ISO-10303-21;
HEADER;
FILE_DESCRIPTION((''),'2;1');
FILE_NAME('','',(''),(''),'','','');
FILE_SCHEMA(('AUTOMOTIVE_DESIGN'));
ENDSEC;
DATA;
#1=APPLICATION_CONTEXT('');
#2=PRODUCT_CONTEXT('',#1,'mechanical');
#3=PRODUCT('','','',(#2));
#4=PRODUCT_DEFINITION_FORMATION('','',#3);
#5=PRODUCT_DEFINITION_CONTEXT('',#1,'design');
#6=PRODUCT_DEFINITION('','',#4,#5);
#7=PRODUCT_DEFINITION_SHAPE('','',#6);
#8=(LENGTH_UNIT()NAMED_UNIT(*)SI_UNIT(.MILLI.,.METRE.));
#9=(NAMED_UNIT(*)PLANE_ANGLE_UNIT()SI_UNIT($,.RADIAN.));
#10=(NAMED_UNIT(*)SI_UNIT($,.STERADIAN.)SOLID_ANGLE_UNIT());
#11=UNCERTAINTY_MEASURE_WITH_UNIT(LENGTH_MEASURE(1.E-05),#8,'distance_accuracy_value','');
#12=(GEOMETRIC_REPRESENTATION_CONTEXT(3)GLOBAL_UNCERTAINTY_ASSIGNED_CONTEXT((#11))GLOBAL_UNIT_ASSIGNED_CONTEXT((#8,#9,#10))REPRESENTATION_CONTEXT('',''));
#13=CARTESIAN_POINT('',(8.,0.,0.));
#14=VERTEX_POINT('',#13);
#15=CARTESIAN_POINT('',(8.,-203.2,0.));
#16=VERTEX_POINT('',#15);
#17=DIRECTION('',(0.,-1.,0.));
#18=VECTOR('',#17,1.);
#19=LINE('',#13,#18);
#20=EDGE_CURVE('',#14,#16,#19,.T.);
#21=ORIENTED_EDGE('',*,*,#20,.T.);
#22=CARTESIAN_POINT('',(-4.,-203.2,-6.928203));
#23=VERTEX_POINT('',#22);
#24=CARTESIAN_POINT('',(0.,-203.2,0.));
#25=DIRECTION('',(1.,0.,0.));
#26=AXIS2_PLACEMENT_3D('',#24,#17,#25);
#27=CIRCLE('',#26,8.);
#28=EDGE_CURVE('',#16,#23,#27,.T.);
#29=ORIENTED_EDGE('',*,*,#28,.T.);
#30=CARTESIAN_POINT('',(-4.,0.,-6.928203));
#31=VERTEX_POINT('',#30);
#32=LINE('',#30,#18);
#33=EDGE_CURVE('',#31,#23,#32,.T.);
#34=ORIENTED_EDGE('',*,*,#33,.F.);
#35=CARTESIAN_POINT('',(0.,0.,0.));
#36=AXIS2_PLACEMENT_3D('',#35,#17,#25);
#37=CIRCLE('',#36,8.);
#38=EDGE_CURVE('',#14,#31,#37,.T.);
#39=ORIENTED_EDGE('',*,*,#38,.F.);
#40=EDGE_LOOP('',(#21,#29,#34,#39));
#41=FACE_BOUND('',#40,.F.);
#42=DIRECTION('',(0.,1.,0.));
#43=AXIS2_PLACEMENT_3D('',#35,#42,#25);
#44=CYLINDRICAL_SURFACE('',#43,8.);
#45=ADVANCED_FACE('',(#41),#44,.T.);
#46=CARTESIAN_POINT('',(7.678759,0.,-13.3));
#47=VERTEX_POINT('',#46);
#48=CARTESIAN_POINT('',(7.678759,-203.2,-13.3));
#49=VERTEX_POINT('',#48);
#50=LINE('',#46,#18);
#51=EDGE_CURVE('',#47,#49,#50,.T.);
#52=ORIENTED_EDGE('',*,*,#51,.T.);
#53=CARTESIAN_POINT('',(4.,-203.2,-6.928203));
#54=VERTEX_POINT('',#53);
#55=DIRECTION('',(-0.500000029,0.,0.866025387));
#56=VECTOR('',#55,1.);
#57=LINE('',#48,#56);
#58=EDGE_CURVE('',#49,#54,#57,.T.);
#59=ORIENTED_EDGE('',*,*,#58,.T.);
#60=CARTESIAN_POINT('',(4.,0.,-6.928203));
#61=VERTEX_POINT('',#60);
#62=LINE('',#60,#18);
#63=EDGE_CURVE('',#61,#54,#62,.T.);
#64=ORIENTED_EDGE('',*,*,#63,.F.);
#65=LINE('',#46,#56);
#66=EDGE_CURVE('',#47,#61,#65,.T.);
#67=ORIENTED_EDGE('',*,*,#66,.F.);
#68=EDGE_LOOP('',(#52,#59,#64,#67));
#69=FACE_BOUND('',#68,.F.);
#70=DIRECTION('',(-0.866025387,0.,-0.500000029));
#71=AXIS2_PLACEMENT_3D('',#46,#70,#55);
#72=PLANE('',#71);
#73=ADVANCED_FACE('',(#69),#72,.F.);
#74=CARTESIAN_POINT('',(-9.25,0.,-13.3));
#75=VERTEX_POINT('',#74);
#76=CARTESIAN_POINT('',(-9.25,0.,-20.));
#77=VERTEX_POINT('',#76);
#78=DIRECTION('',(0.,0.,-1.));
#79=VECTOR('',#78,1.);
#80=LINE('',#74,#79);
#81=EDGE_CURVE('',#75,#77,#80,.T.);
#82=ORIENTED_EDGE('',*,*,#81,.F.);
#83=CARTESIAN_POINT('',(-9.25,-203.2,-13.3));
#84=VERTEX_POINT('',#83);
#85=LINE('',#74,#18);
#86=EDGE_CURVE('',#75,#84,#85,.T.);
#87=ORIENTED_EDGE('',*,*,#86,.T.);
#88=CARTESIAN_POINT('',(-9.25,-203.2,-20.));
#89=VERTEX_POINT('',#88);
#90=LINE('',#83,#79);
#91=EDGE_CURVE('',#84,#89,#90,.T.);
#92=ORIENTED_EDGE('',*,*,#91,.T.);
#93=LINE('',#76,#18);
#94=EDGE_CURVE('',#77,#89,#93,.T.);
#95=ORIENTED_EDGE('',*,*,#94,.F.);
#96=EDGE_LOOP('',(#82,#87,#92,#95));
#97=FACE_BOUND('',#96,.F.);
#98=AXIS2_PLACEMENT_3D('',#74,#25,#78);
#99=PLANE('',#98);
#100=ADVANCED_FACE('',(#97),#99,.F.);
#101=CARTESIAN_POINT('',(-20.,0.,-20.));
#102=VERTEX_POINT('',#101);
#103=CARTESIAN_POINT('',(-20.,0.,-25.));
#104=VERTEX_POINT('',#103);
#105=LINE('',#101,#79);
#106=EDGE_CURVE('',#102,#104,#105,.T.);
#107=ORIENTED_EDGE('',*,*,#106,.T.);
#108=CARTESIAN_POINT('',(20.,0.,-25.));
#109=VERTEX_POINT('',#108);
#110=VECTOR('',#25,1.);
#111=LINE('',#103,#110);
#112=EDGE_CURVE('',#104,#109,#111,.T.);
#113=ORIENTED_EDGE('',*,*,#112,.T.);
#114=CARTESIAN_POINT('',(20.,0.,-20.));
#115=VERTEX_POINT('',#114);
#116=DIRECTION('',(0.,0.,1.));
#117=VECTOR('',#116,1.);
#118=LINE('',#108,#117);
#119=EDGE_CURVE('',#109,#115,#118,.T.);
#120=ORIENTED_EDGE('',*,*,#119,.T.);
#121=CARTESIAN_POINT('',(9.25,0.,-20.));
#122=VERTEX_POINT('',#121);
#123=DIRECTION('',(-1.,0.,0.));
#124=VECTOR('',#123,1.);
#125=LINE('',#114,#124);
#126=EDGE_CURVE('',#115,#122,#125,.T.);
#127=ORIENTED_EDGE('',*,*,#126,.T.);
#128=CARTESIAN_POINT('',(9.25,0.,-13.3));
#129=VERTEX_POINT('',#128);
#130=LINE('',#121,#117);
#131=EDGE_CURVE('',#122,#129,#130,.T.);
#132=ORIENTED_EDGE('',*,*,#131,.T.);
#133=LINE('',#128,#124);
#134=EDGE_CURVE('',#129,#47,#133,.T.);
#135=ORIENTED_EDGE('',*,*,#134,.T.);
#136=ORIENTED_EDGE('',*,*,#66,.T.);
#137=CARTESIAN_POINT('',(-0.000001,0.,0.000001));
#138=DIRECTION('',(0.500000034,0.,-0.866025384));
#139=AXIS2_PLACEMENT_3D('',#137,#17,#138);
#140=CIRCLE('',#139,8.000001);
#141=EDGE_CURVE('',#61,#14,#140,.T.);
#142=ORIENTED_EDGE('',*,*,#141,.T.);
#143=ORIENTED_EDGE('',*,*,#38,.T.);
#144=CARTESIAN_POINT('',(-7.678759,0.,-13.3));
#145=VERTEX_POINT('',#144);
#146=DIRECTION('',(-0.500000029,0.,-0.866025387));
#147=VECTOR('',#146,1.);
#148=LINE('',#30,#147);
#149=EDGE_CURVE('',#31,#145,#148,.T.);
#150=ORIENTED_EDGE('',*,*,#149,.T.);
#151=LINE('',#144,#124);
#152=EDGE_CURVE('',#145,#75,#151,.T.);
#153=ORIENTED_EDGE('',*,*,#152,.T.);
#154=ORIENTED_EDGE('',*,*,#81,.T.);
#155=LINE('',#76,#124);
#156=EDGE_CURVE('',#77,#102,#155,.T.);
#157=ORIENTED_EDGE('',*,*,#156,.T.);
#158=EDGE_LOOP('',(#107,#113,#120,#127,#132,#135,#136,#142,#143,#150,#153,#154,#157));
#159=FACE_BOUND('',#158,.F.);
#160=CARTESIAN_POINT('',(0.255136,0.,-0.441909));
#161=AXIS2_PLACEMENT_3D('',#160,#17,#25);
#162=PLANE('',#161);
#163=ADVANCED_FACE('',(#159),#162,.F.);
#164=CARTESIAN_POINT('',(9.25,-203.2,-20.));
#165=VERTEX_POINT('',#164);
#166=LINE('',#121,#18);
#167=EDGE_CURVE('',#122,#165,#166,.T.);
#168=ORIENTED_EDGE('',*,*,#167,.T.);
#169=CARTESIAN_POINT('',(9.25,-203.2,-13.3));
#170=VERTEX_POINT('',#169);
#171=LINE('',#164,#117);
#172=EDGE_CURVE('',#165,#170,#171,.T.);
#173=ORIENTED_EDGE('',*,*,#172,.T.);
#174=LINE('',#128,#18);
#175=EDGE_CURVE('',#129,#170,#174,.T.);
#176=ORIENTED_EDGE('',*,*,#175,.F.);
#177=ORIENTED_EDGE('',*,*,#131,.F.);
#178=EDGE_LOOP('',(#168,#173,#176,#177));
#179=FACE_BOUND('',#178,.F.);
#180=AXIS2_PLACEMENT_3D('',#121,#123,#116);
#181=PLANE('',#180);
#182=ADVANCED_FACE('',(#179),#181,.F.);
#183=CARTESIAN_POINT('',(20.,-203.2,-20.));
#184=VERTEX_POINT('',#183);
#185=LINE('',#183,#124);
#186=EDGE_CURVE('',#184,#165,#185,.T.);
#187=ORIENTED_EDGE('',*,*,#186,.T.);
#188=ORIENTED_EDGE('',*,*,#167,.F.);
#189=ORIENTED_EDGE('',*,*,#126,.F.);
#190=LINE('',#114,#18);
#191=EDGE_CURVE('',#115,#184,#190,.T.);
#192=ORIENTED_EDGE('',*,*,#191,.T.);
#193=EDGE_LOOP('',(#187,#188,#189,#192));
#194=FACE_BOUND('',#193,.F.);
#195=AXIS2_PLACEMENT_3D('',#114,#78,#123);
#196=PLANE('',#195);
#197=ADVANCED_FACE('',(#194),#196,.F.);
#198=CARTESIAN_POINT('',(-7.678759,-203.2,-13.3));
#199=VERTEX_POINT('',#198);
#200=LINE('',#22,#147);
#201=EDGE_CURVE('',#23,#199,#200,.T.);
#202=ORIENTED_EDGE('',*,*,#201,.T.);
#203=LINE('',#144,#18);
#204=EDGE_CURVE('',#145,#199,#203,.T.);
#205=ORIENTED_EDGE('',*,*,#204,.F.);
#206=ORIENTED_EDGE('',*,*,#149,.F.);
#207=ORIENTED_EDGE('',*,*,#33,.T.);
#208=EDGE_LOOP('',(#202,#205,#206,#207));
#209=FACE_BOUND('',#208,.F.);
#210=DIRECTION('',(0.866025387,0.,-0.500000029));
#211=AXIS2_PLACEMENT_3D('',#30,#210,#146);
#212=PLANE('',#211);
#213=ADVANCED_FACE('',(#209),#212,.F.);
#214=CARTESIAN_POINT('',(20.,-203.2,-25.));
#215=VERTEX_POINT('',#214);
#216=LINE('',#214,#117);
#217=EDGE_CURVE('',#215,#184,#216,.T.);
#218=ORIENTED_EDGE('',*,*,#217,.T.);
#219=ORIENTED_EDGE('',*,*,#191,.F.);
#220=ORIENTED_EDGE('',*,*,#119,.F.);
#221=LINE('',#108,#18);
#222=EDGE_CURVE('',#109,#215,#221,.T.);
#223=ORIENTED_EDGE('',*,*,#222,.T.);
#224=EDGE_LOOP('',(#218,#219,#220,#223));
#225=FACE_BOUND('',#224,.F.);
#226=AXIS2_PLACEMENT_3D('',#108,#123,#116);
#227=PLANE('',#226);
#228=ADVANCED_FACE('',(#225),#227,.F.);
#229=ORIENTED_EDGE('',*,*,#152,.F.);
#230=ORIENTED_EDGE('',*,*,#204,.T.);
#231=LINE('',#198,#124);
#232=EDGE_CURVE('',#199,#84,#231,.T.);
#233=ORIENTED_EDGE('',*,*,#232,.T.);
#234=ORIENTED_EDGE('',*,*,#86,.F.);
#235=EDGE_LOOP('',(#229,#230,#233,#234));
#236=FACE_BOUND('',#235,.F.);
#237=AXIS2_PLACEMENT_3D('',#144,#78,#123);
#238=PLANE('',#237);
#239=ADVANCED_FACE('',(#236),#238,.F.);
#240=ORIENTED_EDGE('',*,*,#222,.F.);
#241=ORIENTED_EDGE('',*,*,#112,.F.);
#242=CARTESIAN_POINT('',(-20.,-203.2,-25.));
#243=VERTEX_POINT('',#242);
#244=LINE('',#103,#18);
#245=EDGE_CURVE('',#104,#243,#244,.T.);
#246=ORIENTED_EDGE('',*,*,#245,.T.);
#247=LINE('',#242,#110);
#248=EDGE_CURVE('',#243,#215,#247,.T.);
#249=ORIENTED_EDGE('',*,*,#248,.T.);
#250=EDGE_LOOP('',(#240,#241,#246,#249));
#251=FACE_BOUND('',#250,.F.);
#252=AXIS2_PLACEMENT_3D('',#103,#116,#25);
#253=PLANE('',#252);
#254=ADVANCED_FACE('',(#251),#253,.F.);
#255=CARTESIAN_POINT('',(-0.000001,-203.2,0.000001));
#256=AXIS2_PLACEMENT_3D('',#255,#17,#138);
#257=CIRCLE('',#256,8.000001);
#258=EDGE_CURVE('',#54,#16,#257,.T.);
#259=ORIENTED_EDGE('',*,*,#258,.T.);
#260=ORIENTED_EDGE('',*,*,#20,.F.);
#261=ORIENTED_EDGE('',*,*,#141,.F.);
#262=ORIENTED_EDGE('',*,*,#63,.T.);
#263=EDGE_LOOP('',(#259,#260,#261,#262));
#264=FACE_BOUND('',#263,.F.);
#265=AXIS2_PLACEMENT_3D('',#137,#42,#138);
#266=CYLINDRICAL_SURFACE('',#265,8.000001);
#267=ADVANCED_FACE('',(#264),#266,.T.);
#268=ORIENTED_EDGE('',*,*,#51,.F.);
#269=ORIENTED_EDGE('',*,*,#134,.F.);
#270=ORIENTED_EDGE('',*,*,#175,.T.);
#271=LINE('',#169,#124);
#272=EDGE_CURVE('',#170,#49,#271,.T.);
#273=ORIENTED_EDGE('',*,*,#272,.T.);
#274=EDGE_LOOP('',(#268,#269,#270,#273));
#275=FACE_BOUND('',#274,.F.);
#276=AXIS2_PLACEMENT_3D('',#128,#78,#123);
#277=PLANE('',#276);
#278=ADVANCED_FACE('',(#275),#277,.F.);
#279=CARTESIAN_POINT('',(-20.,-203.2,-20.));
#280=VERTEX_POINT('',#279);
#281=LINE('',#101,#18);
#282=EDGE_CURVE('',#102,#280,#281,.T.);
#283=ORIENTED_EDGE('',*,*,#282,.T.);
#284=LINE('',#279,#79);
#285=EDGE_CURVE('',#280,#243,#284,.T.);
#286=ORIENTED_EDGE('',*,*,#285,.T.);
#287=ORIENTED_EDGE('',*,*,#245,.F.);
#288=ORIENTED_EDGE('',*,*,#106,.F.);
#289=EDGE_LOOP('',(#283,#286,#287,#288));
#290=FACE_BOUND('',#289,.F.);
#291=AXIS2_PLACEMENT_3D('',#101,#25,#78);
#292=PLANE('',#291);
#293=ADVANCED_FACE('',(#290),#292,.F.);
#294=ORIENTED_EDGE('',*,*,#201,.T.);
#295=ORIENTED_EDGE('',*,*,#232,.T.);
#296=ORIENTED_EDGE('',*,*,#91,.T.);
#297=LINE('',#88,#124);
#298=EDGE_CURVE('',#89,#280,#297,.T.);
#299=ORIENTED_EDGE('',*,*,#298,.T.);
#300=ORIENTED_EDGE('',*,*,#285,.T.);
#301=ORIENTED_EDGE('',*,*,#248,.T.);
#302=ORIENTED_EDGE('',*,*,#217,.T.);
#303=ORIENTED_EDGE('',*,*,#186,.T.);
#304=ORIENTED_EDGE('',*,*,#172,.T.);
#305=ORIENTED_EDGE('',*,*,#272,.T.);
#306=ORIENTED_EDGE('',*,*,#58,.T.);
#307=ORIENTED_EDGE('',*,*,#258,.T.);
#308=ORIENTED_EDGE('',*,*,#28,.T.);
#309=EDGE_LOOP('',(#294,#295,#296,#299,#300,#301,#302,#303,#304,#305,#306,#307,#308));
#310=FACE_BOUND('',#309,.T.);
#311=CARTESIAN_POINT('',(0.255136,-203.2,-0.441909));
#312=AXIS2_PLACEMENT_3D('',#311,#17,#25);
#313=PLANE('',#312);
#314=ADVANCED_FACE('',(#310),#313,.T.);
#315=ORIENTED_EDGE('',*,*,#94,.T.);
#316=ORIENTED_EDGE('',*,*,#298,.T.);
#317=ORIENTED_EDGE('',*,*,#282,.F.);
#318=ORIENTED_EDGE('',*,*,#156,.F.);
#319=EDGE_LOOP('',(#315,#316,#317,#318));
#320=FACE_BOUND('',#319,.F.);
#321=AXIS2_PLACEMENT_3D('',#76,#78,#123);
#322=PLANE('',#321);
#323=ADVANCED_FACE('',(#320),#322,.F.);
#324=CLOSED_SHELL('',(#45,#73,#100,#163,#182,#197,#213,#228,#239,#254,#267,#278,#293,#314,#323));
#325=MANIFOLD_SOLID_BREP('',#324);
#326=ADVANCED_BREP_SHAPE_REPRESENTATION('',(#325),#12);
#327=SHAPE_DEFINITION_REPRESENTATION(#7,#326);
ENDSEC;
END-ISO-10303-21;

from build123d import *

# Parameters (mm, degrees)
F1_DEPTH = 203.2


with BuildPart() as f1:
    # F0 (on Front) → F1 (new body)
    with BuildSketch(Plane.XZ):
        with BuildLine():
            ThreePointArc((4, -6.928203), (6.928203, -4), (8, 0))
            ThreePointArc((8, 0), (-4, 6.928203), (-4, -6.928203))
            ThreePointArc((-4, -6.928203), (0, -8), (4, -6.928203))
        make_face()
        with BuildLine():
            ThreePointArc((4, -6.928203), (0, -8), (-4, -6.928203))
            Line((-4, -6.928203), (-7.678759, -13.3))
            Line((-7.678759, -13.3), (-9.25, -13.3))
            Line((-9.25, -13.3), (-9.25, -20))
            Line((-9.25, -20), (-20, -20))
            Line((-20, -20), (-20, -25))
            Line((-20, -25), (0, -25))
            Line((0, -25), (20, -25))
            Line((20, -25), (20, -20))
            Line((20, -20), (9.25, -20))
            Line((9.25, -20), (9.25, -13.3))
            Line((9.25, -13.3), (7.678759, -13.3))
            Line((7.678759, -13.3), (4, -6.928203))
        make_face()
    extrude(amount=F1_DEPTH)


solid = f1.part
